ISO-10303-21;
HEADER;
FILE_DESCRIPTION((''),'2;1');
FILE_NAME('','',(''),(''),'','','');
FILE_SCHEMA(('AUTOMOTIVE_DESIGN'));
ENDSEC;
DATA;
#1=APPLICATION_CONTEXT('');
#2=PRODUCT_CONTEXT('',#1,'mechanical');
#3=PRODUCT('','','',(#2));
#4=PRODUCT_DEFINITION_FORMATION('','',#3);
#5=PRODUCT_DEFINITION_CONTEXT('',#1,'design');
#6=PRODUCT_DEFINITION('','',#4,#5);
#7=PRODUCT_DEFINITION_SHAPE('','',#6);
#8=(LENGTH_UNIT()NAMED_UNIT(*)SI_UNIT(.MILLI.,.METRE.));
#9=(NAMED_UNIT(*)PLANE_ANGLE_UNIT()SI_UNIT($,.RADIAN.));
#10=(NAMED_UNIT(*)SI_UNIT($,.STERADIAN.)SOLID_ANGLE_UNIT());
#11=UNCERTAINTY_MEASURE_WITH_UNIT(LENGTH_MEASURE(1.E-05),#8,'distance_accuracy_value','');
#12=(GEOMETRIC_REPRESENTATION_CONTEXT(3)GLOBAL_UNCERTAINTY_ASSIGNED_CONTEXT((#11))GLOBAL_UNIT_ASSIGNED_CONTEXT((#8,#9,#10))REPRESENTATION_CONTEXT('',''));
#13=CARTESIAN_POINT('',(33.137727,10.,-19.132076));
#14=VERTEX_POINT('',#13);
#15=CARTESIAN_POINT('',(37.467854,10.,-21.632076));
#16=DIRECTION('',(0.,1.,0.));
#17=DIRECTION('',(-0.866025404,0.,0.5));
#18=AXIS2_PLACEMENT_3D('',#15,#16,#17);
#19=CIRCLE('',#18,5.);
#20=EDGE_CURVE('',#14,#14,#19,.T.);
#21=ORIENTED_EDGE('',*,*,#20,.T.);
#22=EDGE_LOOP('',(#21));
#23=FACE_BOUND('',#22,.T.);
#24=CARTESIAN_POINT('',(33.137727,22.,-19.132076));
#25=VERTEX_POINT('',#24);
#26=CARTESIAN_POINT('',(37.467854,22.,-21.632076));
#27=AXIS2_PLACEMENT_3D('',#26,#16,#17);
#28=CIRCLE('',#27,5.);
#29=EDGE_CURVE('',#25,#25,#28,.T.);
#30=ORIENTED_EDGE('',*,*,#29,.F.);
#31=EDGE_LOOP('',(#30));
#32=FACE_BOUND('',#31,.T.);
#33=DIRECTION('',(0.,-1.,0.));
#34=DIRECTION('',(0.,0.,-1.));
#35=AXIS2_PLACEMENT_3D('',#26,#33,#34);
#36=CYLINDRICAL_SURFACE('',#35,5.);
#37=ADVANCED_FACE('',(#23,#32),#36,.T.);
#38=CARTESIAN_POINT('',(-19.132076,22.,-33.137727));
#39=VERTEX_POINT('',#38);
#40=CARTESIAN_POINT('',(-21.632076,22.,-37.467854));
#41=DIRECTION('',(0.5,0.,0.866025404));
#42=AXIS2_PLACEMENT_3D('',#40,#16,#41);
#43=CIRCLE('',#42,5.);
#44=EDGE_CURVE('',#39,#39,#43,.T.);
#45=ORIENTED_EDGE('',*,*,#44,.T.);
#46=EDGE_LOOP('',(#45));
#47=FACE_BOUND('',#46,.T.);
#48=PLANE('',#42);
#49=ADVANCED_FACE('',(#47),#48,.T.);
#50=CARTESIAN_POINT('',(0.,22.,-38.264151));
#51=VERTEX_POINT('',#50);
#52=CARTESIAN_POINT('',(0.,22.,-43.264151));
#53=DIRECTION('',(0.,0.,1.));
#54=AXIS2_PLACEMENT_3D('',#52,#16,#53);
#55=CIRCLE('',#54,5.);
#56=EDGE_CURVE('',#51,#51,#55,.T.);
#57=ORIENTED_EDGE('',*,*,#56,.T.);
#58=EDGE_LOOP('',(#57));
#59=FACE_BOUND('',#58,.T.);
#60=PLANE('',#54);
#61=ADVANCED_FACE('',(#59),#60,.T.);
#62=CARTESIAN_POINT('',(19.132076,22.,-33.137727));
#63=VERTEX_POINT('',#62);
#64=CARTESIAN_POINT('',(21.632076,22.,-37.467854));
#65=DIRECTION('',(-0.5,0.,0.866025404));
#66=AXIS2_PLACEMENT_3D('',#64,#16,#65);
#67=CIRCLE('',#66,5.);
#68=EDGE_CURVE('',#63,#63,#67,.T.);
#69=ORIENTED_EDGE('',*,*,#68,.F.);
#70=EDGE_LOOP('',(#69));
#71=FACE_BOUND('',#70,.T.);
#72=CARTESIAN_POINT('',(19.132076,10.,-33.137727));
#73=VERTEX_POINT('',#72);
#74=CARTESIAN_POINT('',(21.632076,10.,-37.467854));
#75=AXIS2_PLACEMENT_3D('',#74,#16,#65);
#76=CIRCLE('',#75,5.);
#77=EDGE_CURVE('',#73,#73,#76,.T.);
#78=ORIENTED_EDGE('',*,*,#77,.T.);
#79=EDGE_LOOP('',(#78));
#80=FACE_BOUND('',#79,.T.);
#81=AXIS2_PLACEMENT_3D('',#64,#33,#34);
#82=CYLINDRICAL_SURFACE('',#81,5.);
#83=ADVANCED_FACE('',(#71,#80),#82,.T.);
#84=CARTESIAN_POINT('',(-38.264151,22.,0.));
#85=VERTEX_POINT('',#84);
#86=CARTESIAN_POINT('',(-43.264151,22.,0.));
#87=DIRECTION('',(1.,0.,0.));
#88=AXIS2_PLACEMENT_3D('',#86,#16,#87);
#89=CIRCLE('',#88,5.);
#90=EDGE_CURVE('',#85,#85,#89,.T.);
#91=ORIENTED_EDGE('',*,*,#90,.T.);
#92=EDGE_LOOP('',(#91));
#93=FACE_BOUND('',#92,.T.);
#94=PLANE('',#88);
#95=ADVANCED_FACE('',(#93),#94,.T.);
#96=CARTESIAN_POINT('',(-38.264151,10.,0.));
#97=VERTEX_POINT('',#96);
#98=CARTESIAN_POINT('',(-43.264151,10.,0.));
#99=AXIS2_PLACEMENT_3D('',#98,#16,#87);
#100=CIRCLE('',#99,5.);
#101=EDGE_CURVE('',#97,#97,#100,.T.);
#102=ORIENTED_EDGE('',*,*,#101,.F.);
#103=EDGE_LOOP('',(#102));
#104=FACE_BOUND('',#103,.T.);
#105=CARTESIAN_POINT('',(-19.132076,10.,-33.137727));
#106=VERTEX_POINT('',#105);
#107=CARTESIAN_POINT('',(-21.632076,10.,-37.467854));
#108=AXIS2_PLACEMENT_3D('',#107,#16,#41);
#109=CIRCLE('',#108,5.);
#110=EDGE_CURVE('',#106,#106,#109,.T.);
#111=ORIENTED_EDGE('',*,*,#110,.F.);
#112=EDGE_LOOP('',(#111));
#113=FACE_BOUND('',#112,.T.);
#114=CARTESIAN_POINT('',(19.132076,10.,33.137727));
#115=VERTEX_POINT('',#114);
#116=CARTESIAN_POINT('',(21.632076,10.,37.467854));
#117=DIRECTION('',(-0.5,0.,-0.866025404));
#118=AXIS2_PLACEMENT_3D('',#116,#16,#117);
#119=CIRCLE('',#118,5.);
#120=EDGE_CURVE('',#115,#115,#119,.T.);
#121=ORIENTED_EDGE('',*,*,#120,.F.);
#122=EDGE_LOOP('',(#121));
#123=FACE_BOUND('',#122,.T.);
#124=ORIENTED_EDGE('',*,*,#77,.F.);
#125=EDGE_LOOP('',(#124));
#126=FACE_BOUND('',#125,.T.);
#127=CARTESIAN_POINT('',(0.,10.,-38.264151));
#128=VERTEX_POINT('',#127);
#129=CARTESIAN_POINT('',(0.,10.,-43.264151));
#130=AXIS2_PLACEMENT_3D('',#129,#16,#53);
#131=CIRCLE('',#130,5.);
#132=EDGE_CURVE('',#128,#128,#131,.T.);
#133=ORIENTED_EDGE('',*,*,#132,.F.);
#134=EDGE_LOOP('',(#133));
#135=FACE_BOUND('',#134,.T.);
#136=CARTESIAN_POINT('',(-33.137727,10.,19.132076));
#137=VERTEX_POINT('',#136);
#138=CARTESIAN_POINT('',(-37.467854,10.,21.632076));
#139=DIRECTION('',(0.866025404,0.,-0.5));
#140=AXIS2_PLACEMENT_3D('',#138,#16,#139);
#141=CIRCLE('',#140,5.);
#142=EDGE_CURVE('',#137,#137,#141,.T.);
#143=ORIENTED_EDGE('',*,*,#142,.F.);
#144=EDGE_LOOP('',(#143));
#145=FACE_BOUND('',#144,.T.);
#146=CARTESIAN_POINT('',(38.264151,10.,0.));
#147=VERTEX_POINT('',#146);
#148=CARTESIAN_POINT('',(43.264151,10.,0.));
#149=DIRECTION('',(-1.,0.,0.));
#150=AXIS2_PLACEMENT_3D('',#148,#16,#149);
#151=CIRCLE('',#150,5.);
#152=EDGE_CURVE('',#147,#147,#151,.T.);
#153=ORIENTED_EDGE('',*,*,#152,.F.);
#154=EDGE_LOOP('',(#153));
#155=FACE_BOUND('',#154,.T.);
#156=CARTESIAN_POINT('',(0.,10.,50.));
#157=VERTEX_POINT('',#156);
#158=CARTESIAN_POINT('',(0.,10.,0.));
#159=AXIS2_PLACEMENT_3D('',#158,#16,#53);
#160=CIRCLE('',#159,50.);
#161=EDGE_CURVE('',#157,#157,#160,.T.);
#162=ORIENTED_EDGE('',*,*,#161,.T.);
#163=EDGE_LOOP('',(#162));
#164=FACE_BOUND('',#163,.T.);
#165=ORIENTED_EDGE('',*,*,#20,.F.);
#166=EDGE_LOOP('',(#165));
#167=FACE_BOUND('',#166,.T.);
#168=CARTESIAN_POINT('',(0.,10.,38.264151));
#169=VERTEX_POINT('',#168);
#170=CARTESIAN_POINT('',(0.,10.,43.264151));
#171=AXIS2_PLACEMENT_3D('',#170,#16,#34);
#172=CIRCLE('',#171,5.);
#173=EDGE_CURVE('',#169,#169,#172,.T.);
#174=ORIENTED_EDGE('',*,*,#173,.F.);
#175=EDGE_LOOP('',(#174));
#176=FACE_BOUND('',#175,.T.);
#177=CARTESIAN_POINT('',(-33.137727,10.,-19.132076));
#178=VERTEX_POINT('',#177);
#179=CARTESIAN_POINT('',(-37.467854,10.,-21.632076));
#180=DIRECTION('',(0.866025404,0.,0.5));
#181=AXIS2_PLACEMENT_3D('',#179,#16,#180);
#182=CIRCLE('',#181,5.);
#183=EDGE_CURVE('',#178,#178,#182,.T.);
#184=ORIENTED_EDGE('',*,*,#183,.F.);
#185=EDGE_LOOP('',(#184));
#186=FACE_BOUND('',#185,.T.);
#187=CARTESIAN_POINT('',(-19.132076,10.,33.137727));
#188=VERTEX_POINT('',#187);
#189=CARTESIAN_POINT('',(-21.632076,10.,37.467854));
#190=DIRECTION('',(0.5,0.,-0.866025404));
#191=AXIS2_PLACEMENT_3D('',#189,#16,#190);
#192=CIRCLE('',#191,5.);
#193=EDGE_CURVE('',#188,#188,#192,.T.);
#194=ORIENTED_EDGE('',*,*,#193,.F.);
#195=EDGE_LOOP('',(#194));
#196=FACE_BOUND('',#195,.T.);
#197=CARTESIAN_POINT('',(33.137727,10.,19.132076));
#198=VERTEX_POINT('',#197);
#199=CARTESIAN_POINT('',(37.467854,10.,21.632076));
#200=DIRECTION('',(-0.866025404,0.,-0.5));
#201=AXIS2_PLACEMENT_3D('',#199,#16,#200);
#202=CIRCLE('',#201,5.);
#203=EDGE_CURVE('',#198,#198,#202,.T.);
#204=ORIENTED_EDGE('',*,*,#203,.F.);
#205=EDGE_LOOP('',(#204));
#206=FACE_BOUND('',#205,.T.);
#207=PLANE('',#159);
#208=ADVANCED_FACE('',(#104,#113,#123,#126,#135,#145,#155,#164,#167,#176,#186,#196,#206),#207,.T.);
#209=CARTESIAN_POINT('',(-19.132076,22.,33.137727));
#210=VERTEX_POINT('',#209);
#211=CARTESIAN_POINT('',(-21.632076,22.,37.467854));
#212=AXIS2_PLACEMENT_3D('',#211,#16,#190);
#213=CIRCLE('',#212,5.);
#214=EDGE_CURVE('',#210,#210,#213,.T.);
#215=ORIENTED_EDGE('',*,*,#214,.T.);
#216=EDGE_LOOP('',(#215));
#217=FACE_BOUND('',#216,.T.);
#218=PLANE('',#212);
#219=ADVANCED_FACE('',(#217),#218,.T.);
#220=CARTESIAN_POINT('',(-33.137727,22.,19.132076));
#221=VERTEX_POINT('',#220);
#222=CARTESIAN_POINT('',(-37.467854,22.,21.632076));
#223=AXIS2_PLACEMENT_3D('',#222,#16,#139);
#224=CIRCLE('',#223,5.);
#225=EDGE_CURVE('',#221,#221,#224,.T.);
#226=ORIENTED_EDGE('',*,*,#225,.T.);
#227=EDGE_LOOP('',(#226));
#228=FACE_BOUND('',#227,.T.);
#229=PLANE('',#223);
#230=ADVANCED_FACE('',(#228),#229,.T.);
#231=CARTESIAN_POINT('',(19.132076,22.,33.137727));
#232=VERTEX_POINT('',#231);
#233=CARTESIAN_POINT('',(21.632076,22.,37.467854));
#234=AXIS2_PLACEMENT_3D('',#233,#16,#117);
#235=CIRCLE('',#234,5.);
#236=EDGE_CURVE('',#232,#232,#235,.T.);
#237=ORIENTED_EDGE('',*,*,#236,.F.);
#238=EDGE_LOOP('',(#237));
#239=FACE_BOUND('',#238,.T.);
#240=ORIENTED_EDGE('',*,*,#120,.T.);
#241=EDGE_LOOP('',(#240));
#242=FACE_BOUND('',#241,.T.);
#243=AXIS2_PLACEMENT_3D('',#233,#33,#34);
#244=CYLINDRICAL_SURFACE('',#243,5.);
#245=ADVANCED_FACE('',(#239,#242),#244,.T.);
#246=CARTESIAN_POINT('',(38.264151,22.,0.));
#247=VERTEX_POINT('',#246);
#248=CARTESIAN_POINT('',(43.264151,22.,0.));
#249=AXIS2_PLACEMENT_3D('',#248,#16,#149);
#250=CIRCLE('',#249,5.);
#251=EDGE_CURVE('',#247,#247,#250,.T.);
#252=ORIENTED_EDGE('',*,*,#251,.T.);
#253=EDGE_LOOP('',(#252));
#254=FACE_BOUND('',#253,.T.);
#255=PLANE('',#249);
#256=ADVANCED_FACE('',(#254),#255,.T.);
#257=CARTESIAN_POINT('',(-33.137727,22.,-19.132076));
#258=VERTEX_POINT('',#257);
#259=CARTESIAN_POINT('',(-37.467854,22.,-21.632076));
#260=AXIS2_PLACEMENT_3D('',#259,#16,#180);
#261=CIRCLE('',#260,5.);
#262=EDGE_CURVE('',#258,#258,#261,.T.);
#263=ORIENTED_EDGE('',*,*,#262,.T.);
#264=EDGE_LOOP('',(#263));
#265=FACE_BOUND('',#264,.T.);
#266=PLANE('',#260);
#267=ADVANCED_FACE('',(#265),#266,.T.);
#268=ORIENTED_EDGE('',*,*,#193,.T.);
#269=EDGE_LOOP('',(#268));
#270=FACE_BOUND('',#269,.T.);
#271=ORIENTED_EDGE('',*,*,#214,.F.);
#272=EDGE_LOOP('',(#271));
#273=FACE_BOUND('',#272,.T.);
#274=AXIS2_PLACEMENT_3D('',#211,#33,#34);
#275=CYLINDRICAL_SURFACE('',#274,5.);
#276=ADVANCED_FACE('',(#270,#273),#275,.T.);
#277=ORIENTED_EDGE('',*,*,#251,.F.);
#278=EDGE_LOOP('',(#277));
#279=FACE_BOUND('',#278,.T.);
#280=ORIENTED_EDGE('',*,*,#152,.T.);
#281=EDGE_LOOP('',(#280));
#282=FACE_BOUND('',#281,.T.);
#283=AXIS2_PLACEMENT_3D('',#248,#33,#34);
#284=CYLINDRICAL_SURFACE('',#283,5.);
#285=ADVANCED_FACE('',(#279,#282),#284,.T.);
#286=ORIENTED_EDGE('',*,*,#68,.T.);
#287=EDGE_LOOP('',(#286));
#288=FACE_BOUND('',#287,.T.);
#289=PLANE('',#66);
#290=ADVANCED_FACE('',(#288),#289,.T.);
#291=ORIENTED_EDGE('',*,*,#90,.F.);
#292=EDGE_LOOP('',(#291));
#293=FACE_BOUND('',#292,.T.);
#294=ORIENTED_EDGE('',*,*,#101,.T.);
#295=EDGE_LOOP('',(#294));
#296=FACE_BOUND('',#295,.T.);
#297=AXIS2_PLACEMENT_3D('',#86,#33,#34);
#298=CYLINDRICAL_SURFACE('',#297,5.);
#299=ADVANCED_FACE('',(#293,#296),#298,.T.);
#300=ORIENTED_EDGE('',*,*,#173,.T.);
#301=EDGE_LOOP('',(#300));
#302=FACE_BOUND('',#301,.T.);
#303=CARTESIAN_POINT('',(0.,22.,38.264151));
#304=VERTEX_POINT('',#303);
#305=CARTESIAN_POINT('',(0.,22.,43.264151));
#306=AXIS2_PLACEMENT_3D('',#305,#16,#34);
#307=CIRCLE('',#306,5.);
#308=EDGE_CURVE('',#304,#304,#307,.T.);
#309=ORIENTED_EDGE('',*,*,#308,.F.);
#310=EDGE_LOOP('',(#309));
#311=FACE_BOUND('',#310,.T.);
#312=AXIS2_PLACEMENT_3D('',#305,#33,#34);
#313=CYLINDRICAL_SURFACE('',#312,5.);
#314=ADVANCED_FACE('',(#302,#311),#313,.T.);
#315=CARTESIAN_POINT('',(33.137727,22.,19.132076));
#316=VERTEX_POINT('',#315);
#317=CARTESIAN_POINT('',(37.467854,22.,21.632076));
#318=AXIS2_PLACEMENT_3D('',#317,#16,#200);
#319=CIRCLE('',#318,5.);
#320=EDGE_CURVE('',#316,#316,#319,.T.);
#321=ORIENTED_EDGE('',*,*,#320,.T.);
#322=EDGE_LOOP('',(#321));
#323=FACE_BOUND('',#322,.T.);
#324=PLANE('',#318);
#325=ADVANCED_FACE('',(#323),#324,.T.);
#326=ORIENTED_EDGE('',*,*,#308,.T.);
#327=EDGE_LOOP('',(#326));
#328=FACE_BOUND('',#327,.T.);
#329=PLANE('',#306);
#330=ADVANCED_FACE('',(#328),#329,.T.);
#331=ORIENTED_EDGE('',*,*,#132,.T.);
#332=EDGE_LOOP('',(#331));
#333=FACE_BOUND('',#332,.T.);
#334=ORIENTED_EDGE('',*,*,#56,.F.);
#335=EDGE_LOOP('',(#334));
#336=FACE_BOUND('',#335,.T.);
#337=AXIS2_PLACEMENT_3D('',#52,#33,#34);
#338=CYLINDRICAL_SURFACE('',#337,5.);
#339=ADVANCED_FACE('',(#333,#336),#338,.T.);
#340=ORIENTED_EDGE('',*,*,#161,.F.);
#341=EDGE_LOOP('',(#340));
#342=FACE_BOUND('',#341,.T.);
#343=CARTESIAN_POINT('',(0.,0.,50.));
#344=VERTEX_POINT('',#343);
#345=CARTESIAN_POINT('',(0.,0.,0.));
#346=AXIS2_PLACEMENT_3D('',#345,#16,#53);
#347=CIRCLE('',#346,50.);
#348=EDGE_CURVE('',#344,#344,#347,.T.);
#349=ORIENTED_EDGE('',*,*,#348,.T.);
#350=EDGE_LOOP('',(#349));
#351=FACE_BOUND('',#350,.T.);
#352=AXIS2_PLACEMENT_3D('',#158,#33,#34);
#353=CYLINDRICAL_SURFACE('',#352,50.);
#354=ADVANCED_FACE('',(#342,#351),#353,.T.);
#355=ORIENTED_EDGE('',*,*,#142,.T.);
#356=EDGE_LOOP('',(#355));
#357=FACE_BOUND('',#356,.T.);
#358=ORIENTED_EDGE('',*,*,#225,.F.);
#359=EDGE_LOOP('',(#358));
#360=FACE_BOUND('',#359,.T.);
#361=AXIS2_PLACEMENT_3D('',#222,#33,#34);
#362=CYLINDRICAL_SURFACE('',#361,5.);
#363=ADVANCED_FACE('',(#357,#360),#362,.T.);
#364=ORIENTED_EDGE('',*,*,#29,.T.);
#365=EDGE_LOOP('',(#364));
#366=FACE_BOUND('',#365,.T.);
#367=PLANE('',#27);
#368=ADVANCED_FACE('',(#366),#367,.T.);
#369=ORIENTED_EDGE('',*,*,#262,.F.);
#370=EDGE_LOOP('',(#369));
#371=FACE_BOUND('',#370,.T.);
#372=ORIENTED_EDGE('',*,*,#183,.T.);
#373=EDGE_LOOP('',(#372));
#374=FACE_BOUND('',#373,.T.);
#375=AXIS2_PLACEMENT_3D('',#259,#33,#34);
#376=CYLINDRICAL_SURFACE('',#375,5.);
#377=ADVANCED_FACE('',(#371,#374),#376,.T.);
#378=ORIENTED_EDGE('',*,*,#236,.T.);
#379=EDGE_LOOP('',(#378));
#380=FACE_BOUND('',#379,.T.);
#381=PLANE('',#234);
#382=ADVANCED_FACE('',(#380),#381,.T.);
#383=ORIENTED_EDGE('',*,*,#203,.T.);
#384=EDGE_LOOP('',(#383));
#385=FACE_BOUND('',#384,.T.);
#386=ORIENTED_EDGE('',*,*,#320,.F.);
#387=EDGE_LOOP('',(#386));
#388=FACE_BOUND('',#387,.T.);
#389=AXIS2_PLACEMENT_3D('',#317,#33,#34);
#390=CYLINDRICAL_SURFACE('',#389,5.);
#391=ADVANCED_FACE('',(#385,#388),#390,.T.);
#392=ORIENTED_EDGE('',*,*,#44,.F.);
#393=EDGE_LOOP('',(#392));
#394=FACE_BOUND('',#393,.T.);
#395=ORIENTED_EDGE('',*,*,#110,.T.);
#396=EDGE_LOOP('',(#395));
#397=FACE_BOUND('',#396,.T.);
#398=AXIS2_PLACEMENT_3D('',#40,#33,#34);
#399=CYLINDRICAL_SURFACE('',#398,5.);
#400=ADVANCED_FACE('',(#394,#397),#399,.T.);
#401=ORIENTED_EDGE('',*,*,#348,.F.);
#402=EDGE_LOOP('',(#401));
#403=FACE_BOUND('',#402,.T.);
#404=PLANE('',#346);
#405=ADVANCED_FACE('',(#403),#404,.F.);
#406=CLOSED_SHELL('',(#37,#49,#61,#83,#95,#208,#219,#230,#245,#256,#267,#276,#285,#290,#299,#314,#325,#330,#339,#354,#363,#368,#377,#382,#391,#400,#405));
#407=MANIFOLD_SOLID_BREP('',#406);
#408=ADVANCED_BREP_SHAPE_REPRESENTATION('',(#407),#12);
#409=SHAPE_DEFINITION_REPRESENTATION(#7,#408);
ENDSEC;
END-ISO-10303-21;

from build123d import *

# Parameters (mm, degrees)
CROQUIS3_R              = 50
SALIENTE_EXTRUIR2_DEPTH = 10
CROQUIS4_R              = 5
SALIENTE_EXTRUIR3_DEPTH = 12
MATRIZC1_COUNT          = 12


with BuildPart() as part:
    # Croquis3 → Saliente-Extruir2 (new body)
    with BuildSketch(Plane(origin=(0, 0, 0), x_dir=(1, 0, 0), z_dir=(0, 1, 0))):
        with Locations(Location((0, 0, 0), (0, 0, 270))):
            Circle(CROQUIS3_R)
    extrude(amount=SALIENTE_EXTRUIR2_DEPTH)

    # Croquis4 → Saliente-Extruir3 (add)
    with BuildSketch(Plane(origin=(0, 10, 0), x_dir=(1, 0, 0), z_dir=(0, 1, 0))):
        with Locations(Location((0, 43.264151253, 0), (0, 0, 270))):
            Circle(CROQUIS4_R)
    saliente_extruir3 = extrude(amount=SALIENTE_EXTRUIR3_DEPTH)

    # MatrizC1: Saliente-Extruir3 ×12 about axis
    matrizc1_axis = Axis((0, 0, 0), (0, 1, 0))
    for i in range(1, MATRIZC1_COUNT):
        add(saliente_extruir3.rotate(matrizc1_axis, i * 360 / MATRIZC1_COUNT))


solid = part.part
